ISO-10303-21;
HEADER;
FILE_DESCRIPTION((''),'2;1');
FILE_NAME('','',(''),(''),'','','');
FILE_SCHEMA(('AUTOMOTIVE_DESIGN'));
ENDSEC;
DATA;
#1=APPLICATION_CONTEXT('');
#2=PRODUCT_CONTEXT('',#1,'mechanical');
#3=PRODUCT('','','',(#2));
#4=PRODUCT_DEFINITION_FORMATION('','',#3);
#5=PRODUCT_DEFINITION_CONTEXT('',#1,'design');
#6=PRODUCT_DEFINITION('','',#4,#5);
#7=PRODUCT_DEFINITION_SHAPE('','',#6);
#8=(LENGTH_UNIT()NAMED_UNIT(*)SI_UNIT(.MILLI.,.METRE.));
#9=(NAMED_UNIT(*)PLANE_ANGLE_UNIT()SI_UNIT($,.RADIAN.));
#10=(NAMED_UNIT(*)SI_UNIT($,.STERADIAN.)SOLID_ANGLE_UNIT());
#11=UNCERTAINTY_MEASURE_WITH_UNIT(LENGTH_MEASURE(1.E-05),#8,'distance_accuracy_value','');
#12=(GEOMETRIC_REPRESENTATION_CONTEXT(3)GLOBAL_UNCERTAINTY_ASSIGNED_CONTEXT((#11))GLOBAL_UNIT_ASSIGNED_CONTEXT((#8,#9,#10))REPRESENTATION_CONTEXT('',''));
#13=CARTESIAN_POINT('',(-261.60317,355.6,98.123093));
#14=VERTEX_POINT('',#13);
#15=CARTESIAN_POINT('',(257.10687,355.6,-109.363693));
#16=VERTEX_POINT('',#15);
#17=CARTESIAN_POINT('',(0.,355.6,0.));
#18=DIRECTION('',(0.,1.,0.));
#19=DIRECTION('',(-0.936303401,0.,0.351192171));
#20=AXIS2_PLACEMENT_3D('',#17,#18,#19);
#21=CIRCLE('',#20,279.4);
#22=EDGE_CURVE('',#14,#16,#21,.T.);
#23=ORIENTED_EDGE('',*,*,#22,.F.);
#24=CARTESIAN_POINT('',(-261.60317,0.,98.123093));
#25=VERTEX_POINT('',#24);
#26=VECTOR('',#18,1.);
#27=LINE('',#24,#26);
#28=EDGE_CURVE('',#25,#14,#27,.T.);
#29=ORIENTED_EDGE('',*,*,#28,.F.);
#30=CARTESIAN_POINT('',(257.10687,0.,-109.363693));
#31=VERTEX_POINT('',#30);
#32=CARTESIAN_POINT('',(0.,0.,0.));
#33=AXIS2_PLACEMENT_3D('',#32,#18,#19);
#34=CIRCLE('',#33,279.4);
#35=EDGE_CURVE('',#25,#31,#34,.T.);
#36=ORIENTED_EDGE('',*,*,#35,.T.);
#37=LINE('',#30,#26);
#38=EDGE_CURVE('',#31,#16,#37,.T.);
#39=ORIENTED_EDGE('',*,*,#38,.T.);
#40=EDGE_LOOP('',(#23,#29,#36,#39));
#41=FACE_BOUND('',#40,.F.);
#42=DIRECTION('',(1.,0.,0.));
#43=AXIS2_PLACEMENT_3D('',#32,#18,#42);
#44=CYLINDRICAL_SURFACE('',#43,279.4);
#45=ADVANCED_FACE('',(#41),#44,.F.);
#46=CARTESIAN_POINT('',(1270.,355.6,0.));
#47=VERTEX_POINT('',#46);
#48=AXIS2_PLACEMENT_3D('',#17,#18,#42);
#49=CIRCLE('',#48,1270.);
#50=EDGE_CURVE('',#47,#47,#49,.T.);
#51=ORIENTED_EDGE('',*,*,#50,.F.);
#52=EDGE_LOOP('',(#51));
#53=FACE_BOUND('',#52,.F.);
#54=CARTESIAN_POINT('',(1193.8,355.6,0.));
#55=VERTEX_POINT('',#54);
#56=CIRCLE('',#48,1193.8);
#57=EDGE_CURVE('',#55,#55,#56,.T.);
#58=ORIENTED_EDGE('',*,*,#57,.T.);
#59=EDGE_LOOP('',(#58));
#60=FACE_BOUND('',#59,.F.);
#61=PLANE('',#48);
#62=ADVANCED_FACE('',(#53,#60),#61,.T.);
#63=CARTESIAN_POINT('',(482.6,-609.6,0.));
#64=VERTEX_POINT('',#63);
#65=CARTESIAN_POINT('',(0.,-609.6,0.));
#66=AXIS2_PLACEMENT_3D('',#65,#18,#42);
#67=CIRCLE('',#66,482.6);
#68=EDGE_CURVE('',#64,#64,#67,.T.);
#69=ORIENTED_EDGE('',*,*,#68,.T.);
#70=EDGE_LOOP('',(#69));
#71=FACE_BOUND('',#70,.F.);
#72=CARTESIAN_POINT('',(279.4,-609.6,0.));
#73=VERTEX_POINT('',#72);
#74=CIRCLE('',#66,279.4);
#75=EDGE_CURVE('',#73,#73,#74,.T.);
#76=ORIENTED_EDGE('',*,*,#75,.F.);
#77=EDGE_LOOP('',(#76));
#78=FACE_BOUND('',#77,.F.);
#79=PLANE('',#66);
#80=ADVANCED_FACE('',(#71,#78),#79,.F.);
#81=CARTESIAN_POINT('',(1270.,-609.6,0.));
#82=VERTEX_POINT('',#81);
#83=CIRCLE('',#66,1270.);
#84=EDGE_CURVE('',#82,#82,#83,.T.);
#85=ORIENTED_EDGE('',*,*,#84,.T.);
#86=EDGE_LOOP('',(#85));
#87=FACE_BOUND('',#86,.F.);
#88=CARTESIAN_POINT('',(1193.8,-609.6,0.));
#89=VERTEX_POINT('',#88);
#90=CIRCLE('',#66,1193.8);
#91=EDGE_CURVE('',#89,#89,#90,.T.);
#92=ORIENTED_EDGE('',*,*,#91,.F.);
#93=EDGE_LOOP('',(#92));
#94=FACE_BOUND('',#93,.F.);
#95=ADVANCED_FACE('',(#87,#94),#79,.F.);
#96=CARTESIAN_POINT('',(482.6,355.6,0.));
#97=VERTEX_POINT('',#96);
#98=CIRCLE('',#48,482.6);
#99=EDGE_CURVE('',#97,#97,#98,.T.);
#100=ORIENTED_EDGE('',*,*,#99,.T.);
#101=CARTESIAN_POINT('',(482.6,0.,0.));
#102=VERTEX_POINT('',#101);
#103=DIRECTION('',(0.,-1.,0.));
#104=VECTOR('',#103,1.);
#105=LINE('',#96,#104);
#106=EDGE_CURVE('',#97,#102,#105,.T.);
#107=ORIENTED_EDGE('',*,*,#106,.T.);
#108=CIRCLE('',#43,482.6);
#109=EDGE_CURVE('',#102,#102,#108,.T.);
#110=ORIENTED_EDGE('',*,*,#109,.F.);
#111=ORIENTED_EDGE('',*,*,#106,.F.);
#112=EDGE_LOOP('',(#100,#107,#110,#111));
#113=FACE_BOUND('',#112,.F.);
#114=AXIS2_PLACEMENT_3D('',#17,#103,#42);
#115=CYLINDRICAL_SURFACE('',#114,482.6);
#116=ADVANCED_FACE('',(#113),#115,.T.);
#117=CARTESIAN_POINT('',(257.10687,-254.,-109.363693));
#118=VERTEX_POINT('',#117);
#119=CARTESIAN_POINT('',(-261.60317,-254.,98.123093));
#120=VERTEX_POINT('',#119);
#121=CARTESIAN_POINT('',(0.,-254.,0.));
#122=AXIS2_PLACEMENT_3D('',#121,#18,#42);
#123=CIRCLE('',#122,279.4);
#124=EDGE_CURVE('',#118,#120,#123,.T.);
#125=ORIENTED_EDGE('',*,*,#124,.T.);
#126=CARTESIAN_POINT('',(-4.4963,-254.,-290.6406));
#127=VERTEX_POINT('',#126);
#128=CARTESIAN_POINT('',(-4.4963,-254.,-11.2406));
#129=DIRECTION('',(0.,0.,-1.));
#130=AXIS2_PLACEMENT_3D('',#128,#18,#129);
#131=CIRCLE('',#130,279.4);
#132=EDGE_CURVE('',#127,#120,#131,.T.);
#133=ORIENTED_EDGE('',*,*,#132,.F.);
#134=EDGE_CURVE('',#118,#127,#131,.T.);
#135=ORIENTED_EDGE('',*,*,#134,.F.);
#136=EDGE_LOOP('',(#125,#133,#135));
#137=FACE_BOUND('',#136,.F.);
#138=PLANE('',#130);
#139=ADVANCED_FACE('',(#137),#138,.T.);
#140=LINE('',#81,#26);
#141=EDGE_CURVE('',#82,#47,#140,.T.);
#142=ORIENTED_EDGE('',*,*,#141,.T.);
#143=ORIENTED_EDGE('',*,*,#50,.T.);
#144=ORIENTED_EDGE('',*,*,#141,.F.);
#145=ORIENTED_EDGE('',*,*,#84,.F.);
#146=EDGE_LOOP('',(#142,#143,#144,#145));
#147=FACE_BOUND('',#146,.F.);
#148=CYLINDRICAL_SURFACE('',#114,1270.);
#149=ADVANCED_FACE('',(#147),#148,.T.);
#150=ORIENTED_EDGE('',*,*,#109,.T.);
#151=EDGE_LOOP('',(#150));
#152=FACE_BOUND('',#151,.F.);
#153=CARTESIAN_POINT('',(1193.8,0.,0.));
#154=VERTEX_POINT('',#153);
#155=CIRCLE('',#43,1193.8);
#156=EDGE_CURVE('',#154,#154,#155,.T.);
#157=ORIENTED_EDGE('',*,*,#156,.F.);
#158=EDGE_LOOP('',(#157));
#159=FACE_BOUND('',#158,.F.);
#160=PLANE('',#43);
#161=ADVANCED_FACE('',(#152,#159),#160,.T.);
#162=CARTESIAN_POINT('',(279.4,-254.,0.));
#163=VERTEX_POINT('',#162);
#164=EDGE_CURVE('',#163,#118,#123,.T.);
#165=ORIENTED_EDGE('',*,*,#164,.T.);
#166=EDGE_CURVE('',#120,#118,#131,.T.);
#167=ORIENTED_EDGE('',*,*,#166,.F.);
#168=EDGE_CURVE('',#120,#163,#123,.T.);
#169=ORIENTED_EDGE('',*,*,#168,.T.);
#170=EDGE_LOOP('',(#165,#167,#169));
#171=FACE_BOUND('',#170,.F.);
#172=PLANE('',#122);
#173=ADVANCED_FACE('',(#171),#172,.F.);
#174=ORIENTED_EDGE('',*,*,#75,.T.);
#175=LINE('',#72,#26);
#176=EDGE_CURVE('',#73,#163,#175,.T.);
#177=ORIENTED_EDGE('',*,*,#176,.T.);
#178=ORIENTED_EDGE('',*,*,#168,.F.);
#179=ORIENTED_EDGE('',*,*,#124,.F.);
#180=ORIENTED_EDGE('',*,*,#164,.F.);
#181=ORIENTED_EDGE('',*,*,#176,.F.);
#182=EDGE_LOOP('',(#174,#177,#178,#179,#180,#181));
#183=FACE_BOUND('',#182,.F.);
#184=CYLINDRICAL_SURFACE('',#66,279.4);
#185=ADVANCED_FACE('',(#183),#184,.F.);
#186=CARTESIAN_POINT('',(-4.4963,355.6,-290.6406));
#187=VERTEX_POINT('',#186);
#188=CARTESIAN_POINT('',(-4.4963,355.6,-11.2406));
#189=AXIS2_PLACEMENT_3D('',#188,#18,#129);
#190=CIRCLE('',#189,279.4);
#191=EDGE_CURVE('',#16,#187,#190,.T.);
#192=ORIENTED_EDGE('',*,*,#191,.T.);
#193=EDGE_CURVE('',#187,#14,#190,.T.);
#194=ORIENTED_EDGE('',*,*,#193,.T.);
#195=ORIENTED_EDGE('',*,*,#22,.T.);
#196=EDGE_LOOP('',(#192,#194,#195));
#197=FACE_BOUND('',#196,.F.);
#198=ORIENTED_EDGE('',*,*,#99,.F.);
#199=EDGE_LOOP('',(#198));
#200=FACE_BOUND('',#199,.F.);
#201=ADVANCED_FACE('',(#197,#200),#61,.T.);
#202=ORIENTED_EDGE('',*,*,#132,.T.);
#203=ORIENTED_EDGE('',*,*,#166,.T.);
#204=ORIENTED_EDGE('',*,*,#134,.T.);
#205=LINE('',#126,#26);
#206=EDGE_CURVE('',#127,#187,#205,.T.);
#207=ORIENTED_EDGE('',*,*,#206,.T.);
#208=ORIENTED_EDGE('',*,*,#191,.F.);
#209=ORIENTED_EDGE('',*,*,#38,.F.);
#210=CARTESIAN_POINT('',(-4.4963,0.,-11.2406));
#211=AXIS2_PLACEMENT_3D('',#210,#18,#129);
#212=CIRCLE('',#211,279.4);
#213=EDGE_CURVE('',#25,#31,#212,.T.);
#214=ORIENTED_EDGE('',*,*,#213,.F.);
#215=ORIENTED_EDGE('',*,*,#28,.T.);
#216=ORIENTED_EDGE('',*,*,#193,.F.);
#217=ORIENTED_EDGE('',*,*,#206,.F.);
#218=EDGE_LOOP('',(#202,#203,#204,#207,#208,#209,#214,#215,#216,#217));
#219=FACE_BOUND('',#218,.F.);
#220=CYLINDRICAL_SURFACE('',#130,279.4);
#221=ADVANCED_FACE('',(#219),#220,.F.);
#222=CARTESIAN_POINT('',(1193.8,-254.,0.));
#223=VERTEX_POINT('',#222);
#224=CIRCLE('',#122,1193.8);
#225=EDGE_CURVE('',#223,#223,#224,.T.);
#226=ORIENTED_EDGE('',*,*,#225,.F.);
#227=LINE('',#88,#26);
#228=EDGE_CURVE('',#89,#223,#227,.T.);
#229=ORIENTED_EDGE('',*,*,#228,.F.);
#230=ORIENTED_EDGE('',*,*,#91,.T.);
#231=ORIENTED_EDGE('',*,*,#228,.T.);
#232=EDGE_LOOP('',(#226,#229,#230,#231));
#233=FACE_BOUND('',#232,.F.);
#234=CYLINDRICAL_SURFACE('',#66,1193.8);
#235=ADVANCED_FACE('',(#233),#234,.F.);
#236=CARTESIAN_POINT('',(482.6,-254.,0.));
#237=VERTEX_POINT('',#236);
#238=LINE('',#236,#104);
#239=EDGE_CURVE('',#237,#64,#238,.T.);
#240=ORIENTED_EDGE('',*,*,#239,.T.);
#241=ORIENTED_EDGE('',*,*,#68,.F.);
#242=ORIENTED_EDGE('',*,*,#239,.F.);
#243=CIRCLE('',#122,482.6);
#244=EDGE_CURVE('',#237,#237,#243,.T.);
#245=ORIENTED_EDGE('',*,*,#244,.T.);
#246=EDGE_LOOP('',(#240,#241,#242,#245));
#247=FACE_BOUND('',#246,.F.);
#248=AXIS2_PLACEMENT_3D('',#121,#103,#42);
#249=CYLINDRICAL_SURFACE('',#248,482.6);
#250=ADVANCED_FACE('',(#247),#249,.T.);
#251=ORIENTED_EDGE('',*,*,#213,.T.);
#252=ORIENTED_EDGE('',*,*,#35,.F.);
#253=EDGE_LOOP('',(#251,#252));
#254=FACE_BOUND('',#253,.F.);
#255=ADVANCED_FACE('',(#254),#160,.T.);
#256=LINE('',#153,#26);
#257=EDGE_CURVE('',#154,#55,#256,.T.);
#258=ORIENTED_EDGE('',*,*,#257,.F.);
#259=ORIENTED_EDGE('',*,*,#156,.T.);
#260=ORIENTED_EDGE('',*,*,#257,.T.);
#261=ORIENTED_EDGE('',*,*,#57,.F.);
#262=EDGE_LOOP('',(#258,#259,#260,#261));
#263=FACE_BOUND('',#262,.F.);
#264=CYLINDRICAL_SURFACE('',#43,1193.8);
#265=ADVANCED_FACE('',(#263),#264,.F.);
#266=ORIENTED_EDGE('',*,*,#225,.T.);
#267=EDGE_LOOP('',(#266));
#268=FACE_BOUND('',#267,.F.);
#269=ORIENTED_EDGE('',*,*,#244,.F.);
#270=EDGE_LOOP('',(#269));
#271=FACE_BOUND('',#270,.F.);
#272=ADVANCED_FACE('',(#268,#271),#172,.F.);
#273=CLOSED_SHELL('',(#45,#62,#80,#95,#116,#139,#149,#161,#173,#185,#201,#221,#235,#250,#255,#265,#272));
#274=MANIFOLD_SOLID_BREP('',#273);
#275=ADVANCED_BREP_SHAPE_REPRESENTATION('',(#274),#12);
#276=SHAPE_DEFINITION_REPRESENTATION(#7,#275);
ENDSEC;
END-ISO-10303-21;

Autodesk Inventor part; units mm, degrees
ref_plane "YZ Plane" through (0, 0, 0) normal (1, 0, 0) x (0, 1, 0)
ref_plane "XZ Plane" through (0, 0, 0) normal (0, 1, 0) x (-1, 0, 0)
ref_plane "XY Plane" through (0, 0, 0) normal (0, 0, 1) x (1, 0, 0)
sketch "Sketch1" plane through (0, 0, 0) normal (0, 0, 1) x (1, 0, 0)
  line L0 (0, 0) -> (279.4, 0)
  line L1 (279.4, 0) -> (279.4, 355.6)
  line L2 (279.4, 355.6) -> (482.6, 355.6)
  line L3 (482.6, 355.6) -> (482.6, 0)
  line L4 (482.6, 0) -> (1193.8, 0)
  line L5 (1193.8, 0) -> (1193.8, 355.6)
  line L6 (1193.8, 355.6) -> (1270, 355.6)
  line L7 (1270, 355.6) -> (1270, 0)
  line L8 (1270, 0) -> (1270, -609.6)
  line L9 (1270, 0) -> (1879.6, 0) construction
  line L10 (1270, -609.6) -> (1193.8, -609.6)
  line L11 (1193.8, -609.6) -> (1193.8, -254)
  line L12 (1193.8, -254) -> (482.6, -254)
  line L13 (482.6, -254) -> (482.6, -609.6)
  line L14 (482.6, -609.6) -> (279.4, -609.6)
  line L15 (279.4, -609.6) -> (279.4, -254)
  line L16 (279.4, -254) -> (0, -254)
  line L17 (0, -254) -> (0, 0)
  dimension "d0" = 279.4
  dimension "d1" = 355.6
  dimension "d2" = 203.2
  dimension "d3" = 711.2
  dimension "d4" = 355.6
  dimension "d5" = 76.2
  dimension "d6" = 609.6
  dimension "d7" = 90
  dimension "d8" = 76.2
  dimension "d9" = 355.6
  dimension "d10" = 355.6
  dimension "d11" = 203.2
  dimension "d12" = 355.6
revolve "Revolution1" add sketch "Sketch1" angle 360 about axis through (0, -254, 0) along (0, 1, 0)
sketch "Sketch2" plane through (0, -254, 0) normal (0, -1, 0) x (1, 0, 0)
  point P0 (0, 0)
  point P1 (-4.4963, -11.2406)
hole "Hole1" at (-4.4963, -254, -11.2406) direction (0, 1, 0) diameter 558.8 end through all
properties part number "Wheel"
